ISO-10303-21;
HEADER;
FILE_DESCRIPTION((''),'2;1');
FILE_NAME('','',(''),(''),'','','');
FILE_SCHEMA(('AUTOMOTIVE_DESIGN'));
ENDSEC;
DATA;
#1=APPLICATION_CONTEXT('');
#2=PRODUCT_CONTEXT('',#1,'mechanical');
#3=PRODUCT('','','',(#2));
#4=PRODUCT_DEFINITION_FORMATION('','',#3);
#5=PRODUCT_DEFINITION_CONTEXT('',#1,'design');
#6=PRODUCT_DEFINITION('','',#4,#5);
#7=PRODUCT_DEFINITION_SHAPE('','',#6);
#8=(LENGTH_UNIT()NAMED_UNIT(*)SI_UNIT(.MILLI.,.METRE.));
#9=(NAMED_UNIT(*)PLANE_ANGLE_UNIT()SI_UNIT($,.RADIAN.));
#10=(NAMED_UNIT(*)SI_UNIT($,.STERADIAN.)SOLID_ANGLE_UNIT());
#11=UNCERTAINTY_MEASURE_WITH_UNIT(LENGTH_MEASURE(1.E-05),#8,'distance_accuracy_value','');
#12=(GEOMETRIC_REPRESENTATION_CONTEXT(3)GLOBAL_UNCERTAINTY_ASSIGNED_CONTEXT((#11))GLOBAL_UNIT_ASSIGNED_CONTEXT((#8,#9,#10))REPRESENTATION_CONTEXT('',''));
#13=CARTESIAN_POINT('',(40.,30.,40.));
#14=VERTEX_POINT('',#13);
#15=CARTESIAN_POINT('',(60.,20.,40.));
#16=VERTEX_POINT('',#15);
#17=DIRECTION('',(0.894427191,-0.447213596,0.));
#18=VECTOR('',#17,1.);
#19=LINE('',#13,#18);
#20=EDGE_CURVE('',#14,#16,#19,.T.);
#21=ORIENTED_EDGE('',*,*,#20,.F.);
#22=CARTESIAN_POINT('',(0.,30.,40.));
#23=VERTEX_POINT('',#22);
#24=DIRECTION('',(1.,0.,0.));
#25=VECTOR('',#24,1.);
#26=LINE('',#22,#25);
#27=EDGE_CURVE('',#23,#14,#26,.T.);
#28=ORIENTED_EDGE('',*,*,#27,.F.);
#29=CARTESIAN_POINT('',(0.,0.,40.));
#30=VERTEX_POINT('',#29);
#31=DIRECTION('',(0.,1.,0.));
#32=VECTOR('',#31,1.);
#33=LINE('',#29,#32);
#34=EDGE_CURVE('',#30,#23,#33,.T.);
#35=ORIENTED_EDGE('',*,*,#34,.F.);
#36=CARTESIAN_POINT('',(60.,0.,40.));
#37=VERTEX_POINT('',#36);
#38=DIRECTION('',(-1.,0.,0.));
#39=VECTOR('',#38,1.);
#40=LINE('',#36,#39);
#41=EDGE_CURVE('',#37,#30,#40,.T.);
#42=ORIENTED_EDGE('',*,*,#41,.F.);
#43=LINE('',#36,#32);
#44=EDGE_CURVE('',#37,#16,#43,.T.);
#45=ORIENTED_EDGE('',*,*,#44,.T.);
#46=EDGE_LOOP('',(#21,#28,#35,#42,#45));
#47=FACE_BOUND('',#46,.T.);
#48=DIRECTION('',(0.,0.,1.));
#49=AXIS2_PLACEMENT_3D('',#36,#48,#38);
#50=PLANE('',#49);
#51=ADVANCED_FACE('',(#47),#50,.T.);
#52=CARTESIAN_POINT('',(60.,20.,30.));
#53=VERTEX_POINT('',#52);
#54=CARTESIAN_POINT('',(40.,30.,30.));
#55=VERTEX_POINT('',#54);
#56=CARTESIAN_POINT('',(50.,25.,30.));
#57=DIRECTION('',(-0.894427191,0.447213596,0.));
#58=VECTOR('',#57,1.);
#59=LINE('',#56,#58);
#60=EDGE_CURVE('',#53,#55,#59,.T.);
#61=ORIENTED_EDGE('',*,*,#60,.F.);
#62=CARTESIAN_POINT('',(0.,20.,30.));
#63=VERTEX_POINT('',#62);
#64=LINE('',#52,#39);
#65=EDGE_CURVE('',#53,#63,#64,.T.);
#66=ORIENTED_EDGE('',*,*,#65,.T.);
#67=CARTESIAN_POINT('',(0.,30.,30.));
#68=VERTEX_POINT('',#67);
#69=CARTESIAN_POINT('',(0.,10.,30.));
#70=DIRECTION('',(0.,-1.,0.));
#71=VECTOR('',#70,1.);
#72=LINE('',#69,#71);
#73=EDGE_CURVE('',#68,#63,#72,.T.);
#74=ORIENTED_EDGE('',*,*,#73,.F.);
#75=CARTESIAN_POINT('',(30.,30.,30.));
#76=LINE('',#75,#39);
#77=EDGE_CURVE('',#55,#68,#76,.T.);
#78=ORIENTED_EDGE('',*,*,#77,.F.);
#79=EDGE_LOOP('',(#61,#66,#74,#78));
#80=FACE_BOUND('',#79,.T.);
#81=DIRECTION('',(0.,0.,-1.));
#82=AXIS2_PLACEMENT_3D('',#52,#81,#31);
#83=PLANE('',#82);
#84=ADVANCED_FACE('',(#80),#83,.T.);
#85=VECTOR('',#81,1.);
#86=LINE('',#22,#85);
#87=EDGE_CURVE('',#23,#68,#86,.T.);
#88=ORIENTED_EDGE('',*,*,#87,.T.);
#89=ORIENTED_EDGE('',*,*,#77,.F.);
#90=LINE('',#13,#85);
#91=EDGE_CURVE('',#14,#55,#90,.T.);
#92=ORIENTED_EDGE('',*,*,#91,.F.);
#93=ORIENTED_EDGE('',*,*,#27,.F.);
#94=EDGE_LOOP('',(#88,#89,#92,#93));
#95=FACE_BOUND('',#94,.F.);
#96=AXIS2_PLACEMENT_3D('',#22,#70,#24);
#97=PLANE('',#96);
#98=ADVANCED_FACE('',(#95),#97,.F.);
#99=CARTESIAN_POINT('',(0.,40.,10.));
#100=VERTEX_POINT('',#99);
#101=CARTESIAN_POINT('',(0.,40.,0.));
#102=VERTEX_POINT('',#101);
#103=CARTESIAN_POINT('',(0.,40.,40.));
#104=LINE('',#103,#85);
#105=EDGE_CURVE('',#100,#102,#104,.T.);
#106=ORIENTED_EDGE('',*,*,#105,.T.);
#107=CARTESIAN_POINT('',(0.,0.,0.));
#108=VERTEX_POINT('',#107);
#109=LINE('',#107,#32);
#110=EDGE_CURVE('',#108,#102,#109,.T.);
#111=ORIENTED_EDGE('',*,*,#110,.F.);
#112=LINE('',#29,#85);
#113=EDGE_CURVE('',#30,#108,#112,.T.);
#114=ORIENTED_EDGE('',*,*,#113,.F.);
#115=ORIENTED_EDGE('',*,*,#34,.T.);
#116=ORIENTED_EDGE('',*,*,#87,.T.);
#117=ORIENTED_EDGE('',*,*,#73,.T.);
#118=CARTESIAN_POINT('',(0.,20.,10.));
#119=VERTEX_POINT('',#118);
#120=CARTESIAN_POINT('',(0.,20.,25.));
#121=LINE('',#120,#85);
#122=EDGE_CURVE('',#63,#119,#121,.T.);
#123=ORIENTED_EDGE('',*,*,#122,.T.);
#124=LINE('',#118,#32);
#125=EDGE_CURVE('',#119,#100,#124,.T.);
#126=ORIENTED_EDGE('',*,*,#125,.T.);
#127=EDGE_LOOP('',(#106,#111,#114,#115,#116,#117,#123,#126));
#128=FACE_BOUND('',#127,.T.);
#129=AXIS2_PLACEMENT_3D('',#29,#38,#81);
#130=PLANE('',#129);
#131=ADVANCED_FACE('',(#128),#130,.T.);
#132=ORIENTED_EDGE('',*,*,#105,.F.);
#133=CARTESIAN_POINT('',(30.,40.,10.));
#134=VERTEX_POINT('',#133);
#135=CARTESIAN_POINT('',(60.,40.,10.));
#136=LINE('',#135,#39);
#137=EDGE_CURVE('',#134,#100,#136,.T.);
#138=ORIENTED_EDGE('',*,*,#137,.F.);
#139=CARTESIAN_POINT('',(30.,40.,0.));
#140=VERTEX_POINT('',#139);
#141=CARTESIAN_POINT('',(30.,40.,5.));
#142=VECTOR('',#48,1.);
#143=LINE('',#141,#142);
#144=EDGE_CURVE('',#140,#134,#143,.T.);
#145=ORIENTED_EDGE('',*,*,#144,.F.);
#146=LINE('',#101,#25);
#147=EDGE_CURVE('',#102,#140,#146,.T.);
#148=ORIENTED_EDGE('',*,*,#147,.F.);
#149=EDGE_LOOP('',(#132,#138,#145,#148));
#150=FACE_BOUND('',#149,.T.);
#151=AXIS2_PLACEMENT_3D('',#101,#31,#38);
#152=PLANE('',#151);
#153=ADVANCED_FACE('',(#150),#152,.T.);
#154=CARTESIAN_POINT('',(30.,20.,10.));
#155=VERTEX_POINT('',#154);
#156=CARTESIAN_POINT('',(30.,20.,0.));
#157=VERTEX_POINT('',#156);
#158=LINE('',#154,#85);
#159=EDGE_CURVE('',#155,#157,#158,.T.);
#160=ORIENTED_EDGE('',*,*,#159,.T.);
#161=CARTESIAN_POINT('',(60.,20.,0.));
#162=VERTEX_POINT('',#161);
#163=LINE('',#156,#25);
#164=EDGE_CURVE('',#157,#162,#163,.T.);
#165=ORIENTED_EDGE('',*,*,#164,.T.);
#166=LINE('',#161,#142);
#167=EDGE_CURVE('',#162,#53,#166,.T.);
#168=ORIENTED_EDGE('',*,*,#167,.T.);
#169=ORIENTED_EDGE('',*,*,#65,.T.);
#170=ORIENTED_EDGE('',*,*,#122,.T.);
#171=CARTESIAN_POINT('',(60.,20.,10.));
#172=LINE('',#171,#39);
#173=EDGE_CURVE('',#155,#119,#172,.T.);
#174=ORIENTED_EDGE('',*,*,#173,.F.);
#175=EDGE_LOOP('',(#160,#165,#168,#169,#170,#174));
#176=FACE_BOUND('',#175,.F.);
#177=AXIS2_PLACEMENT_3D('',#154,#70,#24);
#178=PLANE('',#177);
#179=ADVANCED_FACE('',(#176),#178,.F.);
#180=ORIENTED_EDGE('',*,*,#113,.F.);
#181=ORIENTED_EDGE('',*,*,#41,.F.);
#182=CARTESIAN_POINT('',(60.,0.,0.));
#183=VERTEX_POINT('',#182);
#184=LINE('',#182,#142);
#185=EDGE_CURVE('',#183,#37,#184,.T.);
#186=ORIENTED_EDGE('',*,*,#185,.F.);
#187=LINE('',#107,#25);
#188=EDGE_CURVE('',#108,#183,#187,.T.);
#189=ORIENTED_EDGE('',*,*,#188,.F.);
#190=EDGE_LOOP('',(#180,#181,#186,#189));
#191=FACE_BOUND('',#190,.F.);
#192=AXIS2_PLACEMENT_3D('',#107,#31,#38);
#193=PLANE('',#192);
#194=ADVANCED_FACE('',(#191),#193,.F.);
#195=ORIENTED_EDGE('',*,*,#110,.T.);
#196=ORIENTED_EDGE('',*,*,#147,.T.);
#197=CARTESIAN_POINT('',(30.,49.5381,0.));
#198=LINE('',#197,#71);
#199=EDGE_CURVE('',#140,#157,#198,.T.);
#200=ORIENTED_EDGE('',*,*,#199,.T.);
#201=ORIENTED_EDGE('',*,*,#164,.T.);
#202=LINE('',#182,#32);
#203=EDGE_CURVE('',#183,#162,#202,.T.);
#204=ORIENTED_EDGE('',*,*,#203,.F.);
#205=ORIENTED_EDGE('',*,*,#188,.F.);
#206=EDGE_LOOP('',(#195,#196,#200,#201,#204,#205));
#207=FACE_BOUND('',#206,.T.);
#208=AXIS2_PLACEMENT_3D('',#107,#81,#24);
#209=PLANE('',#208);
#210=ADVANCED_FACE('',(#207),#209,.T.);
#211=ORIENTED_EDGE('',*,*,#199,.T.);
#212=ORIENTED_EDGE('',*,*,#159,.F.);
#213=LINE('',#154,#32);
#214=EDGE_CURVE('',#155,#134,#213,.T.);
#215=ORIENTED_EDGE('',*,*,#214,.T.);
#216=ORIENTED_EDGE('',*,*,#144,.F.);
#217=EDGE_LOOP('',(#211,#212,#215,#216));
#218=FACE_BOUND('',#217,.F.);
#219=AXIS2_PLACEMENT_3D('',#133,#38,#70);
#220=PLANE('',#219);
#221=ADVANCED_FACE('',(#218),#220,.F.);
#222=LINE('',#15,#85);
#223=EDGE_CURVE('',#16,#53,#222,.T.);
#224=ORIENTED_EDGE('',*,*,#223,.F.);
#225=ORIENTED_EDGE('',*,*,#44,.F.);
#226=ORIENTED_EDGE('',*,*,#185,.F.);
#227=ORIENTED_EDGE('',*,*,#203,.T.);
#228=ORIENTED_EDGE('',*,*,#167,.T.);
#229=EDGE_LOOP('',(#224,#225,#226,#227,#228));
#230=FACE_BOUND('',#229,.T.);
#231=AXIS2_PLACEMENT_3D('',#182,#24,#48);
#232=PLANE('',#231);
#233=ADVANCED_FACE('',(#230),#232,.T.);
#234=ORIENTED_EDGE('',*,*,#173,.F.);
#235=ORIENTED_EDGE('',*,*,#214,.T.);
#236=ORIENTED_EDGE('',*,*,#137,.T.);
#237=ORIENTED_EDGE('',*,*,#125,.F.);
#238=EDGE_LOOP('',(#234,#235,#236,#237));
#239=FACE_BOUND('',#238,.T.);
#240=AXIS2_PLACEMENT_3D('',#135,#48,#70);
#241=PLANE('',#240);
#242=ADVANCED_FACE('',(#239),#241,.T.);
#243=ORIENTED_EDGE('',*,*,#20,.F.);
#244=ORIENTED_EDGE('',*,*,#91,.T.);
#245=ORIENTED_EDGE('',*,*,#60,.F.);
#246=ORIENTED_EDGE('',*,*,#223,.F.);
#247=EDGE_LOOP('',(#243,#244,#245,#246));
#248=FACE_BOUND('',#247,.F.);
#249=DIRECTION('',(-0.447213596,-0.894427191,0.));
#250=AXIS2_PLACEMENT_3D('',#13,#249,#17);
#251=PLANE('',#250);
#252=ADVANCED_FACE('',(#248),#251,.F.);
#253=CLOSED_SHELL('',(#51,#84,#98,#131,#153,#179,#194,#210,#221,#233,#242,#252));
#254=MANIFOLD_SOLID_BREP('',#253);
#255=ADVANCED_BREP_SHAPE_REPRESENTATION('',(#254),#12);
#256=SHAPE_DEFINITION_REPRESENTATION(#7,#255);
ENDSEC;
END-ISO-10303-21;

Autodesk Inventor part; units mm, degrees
ref_plane "YZ Plane" through (0, 0, 0) normal (1, 0, 0) x (0, 1, 0)
ref_plane "XZ Plane" through (0, 0, 0) normal (0, 1, 0) x (-1, 0, 0)
ref_plane "XY Plane" through (0, 0, 0) normal (0, 0, 1) x (1, 0, 0)
sketch "草圖1" plane through (0, 0, 0) normal (0, 1, 0) x (-1, 0, 0)
  line L0 (0, 0) -> (-60, 0)
  line L1 (-60, 0) -> (-60, 40)
  line L2 (-60, 40) -> (0, 40)
  line L3 (0, 40) -> (0, 0)
  dimension "d0" = 40
  dimension "d1" = 60
extrude "擠出1" add sketch "草圖1" along normal blind 40
sketch "草圖2" plane through (60, 0, 40) normal (1, 0, 0) x (0, 0, -1)
  line L0 (0, 0) -> (0, 40) projected
  line L1 (0, 40) -> (40, 40) projected
  line L2 (40, 40) -> (40, 0) projected
  line L3 (40, 0) -> (0, 0) projected
  line L4 (0, 0) -> (0, 40) projected
  line L5 (0, 40) -> (40, 40) projected
  line L6 (40, 40) -> (40, 0) projected
  line L7 (40, 0) -> (0, 0) projected
  line L8 (10, 40) -> (30, 40)
  line L9 (30, 40) -> (30, 20)
  line L10 (30, 20) -> (10, 20)
  line L11 (10, 20) -> (10, 40)
  point P0 (20, 40)
  point P1 (30, 40)
  point P2 (10, 40)
  dimension "d4" = 20
  dimension "d5" = 20
extrude "擠出2" cut sketch "草圖2" against normal through all contours L1 L9 L10 L11
sketch "草圖3" plane through (0, 0, 40) normal (0, 0, 1) x (1, 0, 0)
  line L0 (60, 40) -> (60, 0) projected
  line L1 (60, 0) -> (0, 0) projected
  line L2 (0, 0) -> (0, 40) projected
  line L3 (0, 40) -> (60, 40) projected
  line L4 (0, 20) -> (0, 40) projected
  line L5 (0, 30) -> (40, 30)
  line L6 (40, 30) -> (60, 20)
  dimension "d8" = 10
  dimension "d9" = 20
  dimension "d10" = 10
extrude "擠出3" cut sketch "草圖3" against normal blind 13.25 contours L0 L6 L5 L2 L3
sketch "草圖4" plane through (60, 20, 10) normal (0, 0, 1) x (1, 0, 0)
  line L0 (-60, -20) -> (-60, 0) projected
  line L1 (-60, 0) -> (-60, 20) projected
  line L2 (-60, 20) -> (0, 20) projected
  line L3 (0, 20) -> (0, 0) projected
  line L4 (0, 0) -> (0, -20) projected
  line L5 (0, -20) -> (-60, -20) projected
  line L6 (-60, 0) -> (0, 0) projected
  line L7 (-60, -20) -> (-60, 0) projected
  line L8 (-60, 0) -> (-60, 20) projected
  line L9 (-60, 20) -> (0, 20) projected
  line L10 (0, 20) -> (0, 0) projected
  line L11 (0, 0) -> (0, -20) projected
  line L12 (0, -20) -> (-60, -20) projected
  line L13 (-60, 0) -> (0, 0) projected
  line L14 (-30, 0) -> (10.073, 0)
  line L15 (10.073, 0) -> (10.073, 29.5381)
  line L16 (10.073, 29.5381) -> (-30, 29.5381)
  line L17 (-30, 29.5381) -> (-30, 0)
  point P0 (-30, 0)
  dimension "d13" = 30
extrude "擠出4" cut sketch "草圖4" against normal blind 10 contours L17 L2 L3 L6 | L3 L2 L17 L16 L15 L14
properties part number "42" material "鋼、碳鋼"
